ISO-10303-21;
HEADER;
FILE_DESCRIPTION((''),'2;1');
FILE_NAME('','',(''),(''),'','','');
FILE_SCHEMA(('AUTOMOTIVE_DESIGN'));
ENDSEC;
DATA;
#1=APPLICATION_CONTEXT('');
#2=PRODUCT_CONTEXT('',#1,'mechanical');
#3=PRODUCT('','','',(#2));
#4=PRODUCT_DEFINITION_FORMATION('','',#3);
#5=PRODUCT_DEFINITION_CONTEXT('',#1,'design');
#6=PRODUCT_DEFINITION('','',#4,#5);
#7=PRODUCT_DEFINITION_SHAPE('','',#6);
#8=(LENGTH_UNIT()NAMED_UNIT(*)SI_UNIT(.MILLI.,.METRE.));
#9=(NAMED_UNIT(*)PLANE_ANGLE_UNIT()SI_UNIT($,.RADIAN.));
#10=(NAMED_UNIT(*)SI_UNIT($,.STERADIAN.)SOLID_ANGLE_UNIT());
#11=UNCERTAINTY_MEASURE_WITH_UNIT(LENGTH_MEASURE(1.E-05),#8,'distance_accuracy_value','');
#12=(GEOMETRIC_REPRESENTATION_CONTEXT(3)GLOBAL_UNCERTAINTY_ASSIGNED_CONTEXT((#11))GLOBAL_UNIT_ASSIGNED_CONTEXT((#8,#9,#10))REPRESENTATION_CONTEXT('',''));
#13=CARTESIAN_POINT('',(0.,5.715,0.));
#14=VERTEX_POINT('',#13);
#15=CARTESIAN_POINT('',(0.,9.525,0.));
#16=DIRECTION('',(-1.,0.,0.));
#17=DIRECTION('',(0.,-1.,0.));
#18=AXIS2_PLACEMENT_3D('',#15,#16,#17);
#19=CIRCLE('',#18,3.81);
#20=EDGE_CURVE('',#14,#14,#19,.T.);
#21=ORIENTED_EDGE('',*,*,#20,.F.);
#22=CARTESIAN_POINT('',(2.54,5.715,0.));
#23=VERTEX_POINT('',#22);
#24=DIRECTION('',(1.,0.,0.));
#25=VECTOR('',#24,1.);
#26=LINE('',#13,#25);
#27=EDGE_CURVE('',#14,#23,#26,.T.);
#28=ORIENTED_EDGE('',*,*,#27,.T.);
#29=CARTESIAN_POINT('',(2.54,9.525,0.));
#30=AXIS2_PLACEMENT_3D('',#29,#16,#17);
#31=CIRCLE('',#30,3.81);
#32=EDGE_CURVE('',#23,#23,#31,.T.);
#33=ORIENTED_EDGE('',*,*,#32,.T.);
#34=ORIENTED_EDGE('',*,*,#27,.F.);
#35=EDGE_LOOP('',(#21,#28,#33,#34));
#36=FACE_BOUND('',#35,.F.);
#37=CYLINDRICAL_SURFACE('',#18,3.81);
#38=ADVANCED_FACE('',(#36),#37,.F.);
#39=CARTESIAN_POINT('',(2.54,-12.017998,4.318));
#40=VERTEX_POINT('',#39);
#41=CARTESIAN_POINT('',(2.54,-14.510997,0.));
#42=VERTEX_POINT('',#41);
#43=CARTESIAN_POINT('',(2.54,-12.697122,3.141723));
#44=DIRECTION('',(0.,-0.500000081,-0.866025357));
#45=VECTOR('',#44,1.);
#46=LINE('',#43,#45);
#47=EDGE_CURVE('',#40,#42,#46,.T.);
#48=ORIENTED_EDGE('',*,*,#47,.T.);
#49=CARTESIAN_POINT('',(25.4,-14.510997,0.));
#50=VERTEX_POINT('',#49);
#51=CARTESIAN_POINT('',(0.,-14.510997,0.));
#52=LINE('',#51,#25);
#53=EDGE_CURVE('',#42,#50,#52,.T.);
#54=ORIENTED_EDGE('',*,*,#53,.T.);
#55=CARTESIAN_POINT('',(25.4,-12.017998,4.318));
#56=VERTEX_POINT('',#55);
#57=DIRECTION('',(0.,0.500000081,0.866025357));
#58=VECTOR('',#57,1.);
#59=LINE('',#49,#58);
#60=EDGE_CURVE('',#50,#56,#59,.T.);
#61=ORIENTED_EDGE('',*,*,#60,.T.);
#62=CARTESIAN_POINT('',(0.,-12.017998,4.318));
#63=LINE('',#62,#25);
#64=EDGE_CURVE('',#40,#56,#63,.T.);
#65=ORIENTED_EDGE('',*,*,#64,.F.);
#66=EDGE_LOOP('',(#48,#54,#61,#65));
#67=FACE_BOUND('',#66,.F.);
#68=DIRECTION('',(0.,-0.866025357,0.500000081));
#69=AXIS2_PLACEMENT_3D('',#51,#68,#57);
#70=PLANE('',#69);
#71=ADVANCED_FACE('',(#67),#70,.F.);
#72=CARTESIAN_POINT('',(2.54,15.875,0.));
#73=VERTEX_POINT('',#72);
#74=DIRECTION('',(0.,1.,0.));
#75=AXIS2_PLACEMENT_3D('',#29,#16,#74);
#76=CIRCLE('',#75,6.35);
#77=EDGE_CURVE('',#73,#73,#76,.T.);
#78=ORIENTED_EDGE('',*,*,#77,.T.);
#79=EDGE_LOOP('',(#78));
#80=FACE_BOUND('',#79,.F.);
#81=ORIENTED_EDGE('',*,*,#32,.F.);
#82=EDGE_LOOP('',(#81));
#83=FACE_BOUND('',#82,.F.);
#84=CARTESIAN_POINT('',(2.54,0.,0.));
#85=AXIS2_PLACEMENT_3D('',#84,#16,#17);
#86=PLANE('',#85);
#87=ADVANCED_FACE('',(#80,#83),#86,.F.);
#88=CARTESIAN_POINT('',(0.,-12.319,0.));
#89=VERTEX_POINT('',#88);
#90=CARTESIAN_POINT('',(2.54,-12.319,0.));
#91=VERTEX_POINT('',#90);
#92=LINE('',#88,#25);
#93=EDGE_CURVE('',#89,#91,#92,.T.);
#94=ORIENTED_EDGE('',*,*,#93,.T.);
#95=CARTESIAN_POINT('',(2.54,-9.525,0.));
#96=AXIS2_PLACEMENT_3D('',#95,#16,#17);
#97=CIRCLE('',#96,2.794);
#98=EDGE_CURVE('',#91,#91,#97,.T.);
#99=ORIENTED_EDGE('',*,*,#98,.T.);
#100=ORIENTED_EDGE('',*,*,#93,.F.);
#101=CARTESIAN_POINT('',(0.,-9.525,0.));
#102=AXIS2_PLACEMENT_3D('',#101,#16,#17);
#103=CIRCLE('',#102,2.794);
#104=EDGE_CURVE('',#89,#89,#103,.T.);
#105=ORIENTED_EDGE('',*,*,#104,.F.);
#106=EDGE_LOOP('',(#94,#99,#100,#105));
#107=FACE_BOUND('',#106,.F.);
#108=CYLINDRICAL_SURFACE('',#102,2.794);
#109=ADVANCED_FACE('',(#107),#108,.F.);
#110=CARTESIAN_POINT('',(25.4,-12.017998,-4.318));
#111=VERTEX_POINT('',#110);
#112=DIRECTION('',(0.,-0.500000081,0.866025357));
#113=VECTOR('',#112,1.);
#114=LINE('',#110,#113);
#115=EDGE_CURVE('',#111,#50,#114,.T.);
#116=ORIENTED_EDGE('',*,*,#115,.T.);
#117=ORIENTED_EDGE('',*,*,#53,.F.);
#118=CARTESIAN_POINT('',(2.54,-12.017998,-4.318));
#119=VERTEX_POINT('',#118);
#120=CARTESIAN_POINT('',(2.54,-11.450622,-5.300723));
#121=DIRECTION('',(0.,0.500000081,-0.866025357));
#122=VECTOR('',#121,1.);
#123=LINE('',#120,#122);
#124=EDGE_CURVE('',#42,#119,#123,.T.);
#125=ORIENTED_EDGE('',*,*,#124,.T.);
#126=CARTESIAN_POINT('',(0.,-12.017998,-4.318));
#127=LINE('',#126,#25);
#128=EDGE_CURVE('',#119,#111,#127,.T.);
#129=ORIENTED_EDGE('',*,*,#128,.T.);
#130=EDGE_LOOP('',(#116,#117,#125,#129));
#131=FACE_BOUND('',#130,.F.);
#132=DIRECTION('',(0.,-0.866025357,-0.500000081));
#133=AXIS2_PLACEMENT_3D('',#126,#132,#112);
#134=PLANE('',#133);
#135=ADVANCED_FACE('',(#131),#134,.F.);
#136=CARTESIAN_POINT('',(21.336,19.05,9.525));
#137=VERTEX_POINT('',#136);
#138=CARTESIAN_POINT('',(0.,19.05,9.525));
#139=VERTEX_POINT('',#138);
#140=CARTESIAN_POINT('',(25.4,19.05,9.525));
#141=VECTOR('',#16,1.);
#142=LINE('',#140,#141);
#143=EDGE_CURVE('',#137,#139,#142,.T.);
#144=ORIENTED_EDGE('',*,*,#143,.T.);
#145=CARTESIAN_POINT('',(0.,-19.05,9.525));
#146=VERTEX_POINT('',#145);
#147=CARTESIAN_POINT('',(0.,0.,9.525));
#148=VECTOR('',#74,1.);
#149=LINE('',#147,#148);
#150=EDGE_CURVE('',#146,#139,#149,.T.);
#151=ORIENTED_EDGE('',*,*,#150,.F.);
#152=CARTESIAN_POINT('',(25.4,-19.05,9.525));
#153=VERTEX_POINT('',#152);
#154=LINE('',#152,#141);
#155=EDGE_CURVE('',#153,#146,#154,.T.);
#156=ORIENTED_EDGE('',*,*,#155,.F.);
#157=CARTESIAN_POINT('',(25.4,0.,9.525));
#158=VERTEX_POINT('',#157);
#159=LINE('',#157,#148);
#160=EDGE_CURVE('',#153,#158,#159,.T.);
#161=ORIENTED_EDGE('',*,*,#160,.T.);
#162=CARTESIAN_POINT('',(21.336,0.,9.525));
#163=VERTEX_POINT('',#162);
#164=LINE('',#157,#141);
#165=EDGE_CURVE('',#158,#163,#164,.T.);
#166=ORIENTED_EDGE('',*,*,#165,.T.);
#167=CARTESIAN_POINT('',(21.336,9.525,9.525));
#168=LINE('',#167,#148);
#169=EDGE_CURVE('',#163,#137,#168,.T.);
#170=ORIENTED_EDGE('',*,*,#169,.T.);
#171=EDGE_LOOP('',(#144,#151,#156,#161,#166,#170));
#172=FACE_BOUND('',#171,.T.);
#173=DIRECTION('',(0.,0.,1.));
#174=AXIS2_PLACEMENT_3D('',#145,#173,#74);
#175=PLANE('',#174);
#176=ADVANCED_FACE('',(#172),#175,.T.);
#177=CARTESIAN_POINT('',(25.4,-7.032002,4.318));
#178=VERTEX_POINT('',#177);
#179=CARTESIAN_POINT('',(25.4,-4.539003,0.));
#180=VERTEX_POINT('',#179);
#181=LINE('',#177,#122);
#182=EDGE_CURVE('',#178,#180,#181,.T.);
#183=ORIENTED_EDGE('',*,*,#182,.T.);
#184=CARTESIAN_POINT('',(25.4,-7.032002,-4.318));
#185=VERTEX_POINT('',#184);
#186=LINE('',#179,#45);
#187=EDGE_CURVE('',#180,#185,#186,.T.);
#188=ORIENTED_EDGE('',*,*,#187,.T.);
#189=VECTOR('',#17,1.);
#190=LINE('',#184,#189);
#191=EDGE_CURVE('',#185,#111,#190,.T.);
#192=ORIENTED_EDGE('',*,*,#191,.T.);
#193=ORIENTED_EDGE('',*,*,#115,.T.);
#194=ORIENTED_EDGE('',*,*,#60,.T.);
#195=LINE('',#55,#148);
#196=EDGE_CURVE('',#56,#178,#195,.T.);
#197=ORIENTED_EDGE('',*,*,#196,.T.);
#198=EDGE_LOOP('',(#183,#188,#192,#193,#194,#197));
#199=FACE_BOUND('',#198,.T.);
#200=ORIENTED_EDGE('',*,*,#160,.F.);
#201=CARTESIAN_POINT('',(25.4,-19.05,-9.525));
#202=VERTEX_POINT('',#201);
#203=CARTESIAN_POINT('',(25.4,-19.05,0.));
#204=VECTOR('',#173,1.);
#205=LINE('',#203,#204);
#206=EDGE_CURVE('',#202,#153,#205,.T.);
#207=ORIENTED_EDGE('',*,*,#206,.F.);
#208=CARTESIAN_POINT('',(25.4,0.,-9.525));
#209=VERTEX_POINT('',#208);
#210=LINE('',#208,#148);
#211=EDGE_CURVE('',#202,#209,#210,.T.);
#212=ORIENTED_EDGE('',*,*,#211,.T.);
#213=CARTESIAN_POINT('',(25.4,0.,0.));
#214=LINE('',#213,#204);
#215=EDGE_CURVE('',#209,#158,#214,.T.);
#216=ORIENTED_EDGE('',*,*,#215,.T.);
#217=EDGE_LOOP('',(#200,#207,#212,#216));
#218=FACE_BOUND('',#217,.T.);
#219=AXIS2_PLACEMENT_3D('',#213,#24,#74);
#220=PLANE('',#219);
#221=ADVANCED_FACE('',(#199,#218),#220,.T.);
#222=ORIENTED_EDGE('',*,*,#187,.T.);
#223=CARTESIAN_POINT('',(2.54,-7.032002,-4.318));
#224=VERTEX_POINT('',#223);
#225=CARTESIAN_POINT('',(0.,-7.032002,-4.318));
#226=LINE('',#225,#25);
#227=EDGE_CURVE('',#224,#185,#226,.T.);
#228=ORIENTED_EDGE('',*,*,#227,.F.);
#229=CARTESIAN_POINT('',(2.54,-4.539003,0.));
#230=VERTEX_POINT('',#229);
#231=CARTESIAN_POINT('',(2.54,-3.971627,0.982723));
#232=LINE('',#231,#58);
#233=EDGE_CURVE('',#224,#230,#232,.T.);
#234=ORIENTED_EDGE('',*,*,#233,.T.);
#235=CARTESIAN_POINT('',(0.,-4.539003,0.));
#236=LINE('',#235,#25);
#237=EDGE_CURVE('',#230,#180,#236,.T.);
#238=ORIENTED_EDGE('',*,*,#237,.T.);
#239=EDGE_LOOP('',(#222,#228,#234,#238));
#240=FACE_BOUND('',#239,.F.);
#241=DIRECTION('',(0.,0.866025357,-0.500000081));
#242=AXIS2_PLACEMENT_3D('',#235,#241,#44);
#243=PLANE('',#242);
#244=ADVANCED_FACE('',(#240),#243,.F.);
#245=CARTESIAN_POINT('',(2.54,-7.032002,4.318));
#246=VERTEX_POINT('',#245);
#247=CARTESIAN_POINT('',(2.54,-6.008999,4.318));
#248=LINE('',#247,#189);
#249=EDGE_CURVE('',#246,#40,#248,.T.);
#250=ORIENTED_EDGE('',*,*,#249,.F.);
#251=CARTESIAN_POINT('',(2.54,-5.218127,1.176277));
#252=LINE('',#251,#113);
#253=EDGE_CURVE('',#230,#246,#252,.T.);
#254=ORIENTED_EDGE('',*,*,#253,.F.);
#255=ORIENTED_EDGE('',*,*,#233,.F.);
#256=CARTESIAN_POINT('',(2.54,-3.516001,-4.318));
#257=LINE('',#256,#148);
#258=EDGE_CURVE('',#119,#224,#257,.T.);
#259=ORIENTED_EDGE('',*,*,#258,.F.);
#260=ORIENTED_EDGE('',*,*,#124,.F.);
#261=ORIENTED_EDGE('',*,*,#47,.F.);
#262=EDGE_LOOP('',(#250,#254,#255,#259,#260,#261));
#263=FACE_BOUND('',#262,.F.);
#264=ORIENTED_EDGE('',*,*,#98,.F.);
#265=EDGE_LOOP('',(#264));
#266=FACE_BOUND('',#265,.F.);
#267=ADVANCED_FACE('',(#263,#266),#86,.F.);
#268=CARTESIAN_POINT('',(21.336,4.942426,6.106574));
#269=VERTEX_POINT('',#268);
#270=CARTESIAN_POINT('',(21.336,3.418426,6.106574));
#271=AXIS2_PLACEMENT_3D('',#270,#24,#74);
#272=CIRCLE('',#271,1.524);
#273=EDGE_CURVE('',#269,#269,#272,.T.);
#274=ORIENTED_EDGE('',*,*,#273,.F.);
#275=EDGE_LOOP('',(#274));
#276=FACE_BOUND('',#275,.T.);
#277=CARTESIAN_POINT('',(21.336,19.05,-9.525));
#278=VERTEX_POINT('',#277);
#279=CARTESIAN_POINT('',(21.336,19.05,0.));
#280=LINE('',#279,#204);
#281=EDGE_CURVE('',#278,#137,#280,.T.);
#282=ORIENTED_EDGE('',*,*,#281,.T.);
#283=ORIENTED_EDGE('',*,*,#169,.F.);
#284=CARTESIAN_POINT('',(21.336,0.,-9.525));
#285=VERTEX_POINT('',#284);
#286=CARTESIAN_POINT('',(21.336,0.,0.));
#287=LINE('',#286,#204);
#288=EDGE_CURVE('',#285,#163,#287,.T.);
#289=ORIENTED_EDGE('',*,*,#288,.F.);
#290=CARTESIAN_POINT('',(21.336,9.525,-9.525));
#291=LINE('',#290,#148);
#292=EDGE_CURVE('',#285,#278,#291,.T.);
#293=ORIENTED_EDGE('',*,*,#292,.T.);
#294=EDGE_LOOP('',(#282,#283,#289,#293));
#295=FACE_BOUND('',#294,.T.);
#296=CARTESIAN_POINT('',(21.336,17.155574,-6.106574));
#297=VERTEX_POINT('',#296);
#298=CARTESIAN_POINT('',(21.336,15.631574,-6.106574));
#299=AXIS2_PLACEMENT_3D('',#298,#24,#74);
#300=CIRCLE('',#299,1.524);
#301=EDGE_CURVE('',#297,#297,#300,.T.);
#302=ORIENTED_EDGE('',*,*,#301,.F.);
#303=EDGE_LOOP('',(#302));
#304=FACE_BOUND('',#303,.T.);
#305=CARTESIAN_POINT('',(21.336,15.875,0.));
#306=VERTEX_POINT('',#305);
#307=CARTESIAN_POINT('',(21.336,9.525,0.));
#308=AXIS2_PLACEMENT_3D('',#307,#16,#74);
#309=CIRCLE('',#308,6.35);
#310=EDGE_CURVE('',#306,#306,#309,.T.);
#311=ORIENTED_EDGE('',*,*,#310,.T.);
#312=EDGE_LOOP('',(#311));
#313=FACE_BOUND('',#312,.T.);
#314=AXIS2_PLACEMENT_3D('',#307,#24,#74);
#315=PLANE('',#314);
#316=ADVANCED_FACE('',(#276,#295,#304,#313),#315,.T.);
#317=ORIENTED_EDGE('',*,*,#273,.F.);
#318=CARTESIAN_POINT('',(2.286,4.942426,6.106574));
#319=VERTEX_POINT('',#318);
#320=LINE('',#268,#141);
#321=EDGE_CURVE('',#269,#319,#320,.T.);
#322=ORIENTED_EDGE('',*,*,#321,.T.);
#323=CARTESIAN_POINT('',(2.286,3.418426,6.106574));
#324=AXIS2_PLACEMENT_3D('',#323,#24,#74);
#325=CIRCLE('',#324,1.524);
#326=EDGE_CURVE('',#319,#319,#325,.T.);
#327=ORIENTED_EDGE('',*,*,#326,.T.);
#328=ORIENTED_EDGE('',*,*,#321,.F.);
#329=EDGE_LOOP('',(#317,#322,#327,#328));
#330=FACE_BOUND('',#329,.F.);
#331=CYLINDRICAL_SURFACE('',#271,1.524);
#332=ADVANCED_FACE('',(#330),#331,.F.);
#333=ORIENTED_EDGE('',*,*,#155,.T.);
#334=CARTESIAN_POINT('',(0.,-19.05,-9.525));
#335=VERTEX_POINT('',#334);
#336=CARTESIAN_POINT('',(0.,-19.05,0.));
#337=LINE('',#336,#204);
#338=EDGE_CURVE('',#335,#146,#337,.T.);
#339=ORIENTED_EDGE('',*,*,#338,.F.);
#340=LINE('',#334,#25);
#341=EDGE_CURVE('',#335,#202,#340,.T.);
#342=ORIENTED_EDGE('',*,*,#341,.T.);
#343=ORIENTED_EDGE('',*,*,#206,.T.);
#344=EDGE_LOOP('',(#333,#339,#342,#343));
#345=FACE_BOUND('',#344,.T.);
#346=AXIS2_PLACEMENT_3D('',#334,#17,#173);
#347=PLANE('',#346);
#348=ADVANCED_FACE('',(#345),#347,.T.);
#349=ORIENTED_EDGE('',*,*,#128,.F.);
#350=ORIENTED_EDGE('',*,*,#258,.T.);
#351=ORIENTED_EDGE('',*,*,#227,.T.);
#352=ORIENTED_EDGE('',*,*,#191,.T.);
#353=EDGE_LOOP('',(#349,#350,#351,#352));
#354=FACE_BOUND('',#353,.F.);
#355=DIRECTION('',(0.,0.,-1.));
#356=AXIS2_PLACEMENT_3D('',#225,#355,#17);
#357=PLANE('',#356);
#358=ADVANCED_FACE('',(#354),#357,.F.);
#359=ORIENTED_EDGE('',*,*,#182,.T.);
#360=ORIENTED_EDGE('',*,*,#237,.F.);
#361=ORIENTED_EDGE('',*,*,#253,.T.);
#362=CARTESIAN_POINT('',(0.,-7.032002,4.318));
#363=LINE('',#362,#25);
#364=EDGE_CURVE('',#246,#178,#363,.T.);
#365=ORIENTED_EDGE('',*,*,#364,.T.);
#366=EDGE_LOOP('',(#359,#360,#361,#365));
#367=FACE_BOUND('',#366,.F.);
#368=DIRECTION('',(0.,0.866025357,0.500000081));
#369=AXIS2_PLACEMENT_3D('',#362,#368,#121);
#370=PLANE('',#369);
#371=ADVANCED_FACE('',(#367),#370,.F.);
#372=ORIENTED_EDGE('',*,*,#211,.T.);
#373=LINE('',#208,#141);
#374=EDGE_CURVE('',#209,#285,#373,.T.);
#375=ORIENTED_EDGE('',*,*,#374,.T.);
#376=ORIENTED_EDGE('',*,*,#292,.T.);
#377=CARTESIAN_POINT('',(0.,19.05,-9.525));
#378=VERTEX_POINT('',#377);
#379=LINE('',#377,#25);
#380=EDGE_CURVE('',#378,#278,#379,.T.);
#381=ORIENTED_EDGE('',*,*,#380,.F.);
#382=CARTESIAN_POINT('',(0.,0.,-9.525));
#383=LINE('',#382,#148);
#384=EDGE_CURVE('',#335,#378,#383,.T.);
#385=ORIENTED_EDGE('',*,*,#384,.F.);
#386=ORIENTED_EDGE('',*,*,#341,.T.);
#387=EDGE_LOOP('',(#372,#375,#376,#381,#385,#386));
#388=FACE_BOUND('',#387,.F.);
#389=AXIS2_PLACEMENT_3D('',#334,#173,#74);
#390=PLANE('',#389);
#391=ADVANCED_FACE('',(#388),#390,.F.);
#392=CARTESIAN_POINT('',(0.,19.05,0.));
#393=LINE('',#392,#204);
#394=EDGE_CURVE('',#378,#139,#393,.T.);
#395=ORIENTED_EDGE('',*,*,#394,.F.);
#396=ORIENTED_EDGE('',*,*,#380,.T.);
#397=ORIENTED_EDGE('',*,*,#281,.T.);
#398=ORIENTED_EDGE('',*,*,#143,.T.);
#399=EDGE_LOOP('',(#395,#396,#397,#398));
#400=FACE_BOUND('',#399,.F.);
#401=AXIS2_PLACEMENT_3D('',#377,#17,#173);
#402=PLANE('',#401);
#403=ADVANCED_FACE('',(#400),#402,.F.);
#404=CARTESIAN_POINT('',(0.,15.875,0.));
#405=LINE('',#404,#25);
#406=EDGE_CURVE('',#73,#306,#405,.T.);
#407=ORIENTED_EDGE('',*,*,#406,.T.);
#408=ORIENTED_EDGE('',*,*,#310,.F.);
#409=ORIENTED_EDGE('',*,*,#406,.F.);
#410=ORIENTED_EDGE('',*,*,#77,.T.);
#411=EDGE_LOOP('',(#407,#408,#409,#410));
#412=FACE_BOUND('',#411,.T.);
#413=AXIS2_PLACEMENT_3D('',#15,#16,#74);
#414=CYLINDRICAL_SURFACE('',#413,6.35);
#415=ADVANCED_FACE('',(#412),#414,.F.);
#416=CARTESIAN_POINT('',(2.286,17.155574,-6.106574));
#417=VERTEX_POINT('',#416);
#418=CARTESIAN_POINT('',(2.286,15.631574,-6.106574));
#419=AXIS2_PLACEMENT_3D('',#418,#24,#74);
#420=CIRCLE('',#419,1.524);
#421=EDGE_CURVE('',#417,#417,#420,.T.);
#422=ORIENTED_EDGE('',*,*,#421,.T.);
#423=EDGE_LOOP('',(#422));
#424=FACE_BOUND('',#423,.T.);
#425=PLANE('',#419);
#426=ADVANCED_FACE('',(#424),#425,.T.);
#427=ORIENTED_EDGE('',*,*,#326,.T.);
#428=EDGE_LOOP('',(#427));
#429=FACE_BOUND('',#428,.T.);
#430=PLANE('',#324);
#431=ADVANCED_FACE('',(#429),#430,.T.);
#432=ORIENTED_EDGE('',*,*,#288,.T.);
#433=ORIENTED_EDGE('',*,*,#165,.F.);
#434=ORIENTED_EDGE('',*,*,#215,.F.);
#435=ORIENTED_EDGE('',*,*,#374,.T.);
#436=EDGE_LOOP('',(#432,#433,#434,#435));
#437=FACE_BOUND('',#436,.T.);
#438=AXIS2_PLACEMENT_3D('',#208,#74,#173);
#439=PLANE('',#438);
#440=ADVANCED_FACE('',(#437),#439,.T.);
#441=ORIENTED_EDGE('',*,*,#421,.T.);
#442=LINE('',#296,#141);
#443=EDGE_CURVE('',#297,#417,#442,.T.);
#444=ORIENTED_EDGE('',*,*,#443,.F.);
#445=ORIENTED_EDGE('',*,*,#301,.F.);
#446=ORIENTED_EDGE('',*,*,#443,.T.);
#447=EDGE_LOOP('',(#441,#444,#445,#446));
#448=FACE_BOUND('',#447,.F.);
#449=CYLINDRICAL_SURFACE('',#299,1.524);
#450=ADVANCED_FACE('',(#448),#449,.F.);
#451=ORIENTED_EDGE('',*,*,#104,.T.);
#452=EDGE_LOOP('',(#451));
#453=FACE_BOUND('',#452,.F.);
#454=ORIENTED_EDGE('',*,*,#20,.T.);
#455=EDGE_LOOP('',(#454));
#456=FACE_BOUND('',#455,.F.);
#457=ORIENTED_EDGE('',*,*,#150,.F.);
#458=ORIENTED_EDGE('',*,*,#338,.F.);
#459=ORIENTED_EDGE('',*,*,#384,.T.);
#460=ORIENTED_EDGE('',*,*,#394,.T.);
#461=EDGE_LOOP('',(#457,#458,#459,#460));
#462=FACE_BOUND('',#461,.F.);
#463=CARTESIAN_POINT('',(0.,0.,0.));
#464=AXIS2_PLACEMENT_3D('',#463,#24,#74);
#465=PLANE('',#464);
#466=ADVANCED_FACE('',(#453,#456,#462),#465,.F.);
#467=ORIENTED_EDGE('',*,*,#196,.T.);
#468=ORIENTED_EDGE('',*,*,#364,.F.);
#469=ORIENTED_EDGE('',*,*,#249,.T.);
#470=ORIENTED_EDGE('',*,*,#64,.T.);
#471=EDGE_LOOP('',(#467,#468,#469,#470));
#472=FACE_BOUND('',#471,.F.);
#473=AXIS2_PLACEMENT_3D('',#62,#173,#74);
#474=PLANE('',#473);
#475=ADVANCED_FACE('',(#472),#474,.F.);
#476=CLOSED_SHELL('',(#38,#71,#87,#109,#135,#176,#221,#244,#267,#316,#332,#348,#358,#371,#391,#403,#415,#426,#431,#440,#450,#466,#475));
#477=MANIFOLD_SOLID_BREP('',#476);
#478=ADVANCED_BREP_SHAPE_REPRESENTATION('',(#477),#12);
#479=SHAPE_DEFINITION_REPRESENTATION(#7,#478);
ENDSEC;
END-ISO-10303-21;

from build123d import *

# Parameters (mm, degrees)
F0_W     = 38.1
F0_H     = 19.05
F0_R     = 6.35
F1_DEPTH = 25.4
F2_W     = 38.1
F2_H     = 19.05
F2_R     = 3.81
F2_R_2   = 2.794
F3_DEPTH = 2.54
F4_W     = 19.05
F4_H     = 19.05
F5_DEPTH = 4.064
F6_R     = 1.524
F7_DEPTH = 19.05


with BuildPart() as f1:
    # F0 (on Right) → F1 (new body)
    with BuildSketch(Plane.YZ):
        Rectangle(F0_W, F0_H)
        Polygon((-14.510997, 0), (-12.017998, 4.318), (-7.032002, 4.318), (-4.539003, 0), (-7.032002, -4.318), (-12.017998, -4.318), align=None, mode=Mode.SUBTRACT)
        with Locations((9.525, 0)):
            Circle(F0_R, mode=Mode.SUBTRACT)
    extrude(amount=F1_DEPTH)

    # F2 (on face) → F3 (join)
    with BuildSketch(Plane(origin=(0, 0, 0), x_dir=(0, -1, 0), z_dir=(-1, 0, 0))):
        Rectangle(F2_W, F2_H)
        with Locations((-9.525, 0)):
            Circle(F2_R, mode=Mode.SUBTRACT)
        with Locations((9.525, 0)):
            Circle(F2_R_2, mode=Mode.SUBTRACT)
    extrude(amount=-F3_DEPTH)

    # F4 (on face) → F5 (cut)
    with BuildSketch(Plane.YZ.offset(25.4)):
        with Locations((9.525, 0)):
            Rectangle(F4_W, F4_H)
    extrude(amount=-F5_DEPTH, mode=Mode.SUBTRACT)

    # F6 (on face) → F7 (cut)
    with BuildSketch(Plane.YZ.offset(21.336)):
        with Locations((3.418426, 6.106574)):
            Circle(F6_R)
        with Locations((15.631574, -6.106574)):
            Circle(F6_R)
    extrude(amount=-F7_DEPTH, mode=Mode.SUBTRACT)


solid = f1.part
